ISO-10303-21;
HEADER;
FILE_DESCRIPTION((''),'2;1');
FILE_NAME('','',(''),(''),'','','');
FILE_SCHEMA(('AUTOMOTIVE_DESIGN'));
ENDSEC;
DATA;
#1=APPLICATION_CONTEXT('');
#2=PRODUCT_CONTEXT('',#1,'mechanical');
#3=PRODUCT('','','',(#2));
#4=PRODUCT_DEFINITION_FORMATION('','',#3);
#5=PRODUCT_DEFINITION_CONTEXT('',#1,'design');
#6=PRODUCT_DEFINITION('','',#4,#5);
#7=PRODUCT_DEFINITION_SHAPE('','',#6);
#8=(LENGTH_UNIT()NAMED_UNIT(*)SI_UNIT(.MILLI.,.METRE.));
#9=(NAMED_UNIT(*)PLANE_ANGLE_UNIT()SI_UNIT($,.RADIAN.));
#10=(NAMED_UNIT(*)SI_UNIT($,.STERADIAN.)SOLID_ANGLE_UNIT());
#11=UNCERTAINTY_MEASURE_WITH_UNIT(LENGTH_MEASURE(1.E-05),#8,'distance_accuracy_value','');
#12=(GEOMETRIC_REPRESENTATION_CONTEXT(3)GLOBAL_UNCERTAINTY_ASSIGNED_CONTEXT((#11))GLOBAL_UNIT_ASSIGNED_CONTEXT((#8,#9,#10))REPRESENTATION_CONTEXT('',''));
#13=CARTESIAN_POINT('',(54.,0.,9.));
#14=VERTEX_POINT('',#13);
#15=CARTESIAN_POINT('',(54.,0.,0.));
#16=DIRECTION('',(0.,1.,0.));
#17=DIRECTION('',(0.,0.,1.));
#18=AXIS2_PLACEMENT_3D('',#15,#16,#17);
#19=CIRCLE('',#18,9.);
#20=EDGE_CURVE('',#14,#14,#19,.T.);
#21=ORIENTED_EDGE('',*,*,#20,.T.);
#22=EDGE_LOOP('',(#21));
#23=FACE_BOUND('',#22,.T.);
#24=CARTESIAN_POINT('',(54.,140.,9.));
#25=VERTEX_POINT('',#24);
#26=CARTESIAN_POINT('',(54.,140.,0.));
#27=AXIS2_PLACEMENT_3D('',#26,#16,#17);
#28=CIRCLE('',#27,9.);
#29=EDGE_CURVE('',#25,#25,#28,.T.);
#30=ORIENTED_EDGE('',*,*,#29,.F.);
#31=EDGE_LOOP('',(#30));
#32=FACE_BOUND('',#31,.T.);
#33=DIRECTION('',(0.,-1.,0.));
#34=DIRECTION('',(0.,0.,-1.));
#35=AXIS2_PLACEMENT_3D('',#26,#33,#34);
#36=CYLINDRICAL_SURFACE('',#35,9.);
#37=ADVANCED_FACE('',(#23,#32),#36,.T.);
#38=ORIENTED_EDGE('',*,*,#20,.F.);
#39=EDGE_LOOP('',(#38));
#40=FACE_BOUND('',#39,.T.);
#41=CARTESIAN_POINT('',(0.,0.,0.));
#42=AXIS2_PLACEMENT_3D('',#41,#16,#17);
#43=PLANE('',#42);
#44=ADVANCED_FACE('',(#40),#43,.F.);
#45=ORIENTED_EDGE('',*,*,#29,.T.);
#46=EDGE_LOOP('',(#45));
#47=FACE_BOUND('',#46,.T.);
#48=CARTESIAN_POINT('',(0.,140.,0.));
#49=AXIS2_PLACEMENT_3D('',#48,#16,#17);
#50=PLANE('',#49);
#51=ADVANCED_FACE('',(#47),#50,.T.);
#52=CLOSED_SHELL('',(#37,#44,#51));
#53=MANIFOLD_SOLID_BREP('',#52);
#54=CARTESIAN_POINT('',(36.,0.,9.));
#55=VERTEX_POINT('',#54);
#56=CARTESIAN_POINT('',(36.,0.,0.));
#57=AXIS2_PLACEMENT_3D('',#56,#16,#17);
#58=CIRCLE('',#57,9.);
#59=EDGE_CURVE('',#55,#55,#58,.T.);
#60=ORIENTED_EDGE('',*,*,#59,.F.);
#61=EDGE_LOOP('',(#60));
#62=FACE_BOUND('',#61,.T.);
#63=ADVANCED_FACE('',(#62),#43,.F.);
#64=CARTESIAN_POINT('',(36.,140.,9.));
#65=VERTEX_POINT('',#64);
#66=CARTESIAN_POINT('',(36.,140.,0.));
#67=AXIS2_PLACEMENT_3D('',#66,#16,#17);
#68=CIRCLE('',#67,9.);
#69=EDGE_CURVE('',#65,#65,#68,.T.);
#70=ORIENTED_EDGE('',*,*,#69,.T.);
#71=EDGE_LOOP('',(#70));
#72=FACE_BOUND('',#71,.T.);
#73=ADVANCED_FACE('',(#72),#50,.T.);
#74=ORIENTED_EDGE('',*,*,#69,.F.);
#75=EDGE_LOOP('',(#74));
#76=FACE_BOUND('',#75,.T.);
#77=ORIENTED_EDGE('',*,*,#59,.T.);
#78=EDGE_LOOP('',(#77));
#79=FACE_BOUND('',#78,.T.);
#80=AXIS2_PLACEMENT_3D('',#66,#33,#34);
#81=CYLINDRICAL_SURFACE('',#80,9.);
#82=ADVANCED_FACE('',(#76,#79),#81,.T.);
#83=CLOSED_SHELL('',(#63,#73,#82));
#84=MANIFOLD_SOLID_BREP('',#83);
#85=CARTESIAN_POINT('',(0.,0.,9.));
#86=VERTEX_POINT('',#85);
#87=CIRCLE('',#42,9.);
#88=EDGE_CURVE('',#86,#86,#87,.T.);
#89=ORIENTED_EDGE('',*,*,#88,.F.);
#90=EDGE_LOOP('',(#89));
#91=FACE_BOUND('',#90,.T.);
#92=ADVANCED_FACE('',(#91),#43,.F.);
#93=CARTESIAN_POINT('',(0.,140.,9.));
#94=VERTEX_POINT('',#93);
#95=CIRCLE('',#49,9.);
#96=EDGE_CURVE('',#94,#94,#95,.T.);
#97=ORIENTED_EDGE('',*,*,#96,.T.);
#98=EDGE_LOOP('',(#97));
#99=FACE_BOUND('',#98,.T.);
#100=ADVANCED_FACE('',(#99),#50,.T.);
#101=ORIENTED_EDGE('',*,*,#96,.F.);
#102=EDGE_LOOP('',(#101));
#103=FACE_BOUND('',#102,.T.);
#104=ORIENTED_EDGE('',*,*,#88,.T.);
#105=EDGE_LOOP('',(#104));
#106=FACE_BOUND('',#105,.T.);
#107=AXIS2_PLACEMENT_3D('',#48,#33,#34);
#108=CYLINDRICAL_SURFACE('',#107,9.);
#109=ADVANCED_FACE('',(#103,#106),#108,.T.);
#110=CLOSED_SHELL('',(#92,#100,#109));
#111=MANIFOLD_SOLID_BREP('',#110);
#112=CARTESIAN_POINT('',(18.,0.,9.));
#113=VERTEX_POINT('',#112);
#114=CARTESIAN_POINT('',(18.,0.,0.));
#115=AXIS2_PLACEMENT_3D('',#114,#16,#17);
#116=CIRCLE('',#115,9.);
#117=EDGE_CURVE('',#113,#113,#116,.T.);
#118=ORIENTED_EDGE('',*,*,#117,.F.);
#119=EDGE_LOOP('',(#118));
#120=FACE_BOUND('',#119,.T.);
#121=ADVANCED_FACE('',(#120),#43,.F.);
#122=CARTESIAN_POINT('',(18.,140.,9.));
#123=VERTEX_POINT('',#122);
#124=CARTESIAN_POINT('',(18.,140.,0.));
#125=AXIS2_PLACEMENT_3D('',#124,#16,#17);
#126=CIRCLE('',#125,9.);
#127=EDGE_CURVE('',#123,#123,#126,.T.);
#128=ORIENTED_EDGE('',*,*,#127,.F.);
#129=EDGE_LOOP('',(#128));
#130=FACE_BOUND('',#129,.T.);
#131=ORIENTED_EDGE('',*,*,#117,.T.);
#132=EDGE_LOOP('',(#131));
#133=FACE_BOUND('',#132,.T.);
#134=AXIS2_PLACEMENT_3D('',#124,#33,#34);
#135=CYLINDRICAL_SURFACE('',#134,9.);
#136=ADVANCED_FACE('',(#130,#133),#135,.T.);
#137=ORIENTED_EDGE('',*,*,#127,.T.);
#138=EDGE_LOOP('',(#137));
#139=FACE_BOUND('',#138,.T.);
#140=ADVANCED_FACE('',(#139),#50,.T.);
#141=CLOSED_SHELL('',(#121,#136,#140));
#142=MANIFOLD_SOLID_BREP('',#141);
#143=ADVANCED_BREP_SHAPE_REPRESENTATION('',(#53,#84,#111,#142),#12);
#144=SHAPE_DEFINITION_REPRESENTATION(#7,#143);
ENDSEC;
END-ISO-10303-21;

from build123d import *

# Parameters (mm, degrees)
SKETCH1_R             = 9
BOSS_EXTRUDE1_DEPTH   = 140
BOSS_EXTRUDE1_2_DEPTH = 140
BOSS_EXTRUDE1_3_DEPTH = 140
BOSS_EXTRUDE1_4_DEPTH = 140


with BuildPart() as part:
    # Sketch1 → Boss-Extrude1 (new body)
    with BuildSketch(Plane(origin=(0, 0, 0), x_dir=(1, 0, 0), z_dir=(0, 1, 0))):
        Circle(SKETCH1_R)
    extrude(amount=BOSS_EXTRUDE1_DEPTH)


with BuildPart() as body_2:
    # Sketch1 → Boss-Extrude1 2 (new body)
    with BuildSketch(Plane(origin=(0, 0, 0), x_dir=(1, 0, 0), z_dir=(0, 1, 0))):
        with Locations((18, 0)):
            Circle(SKETCH1_R)
    extrude(amount=BOSS_EXTRUDE1_2_DEPTH)


with BuildPart() as body_3:
    # Sketch1 → Boss-Extrude1 3 (new body)
    with BuildSketch(Plane(origin=(0, 0, 0), x_dir=(1, 0, 0), z_dir=(0, 1, 0))):
        with Locations((36, 0)):
            Circle(SKETCH1_R)
    extrude(amount=BOSS_EXTRUDE1_3_DEPTH)


with BuildPart() as body_4:
    # Sketch1 → Boss-Extrude1 4 (new body)
    with BuildSketch(Plane(origin=(0, 0, 0), x_dir=(1, 0, 0), z_dir=(0, 1, 0))):
        with Locations((54, 0)):
            Circle(SKETCH1_R)
    extrude(amount=BOSS_EXTRUDE1_4_DEPTH)


solid = Compound([part.part, body_2.part, body_3.part, body_4.part])
